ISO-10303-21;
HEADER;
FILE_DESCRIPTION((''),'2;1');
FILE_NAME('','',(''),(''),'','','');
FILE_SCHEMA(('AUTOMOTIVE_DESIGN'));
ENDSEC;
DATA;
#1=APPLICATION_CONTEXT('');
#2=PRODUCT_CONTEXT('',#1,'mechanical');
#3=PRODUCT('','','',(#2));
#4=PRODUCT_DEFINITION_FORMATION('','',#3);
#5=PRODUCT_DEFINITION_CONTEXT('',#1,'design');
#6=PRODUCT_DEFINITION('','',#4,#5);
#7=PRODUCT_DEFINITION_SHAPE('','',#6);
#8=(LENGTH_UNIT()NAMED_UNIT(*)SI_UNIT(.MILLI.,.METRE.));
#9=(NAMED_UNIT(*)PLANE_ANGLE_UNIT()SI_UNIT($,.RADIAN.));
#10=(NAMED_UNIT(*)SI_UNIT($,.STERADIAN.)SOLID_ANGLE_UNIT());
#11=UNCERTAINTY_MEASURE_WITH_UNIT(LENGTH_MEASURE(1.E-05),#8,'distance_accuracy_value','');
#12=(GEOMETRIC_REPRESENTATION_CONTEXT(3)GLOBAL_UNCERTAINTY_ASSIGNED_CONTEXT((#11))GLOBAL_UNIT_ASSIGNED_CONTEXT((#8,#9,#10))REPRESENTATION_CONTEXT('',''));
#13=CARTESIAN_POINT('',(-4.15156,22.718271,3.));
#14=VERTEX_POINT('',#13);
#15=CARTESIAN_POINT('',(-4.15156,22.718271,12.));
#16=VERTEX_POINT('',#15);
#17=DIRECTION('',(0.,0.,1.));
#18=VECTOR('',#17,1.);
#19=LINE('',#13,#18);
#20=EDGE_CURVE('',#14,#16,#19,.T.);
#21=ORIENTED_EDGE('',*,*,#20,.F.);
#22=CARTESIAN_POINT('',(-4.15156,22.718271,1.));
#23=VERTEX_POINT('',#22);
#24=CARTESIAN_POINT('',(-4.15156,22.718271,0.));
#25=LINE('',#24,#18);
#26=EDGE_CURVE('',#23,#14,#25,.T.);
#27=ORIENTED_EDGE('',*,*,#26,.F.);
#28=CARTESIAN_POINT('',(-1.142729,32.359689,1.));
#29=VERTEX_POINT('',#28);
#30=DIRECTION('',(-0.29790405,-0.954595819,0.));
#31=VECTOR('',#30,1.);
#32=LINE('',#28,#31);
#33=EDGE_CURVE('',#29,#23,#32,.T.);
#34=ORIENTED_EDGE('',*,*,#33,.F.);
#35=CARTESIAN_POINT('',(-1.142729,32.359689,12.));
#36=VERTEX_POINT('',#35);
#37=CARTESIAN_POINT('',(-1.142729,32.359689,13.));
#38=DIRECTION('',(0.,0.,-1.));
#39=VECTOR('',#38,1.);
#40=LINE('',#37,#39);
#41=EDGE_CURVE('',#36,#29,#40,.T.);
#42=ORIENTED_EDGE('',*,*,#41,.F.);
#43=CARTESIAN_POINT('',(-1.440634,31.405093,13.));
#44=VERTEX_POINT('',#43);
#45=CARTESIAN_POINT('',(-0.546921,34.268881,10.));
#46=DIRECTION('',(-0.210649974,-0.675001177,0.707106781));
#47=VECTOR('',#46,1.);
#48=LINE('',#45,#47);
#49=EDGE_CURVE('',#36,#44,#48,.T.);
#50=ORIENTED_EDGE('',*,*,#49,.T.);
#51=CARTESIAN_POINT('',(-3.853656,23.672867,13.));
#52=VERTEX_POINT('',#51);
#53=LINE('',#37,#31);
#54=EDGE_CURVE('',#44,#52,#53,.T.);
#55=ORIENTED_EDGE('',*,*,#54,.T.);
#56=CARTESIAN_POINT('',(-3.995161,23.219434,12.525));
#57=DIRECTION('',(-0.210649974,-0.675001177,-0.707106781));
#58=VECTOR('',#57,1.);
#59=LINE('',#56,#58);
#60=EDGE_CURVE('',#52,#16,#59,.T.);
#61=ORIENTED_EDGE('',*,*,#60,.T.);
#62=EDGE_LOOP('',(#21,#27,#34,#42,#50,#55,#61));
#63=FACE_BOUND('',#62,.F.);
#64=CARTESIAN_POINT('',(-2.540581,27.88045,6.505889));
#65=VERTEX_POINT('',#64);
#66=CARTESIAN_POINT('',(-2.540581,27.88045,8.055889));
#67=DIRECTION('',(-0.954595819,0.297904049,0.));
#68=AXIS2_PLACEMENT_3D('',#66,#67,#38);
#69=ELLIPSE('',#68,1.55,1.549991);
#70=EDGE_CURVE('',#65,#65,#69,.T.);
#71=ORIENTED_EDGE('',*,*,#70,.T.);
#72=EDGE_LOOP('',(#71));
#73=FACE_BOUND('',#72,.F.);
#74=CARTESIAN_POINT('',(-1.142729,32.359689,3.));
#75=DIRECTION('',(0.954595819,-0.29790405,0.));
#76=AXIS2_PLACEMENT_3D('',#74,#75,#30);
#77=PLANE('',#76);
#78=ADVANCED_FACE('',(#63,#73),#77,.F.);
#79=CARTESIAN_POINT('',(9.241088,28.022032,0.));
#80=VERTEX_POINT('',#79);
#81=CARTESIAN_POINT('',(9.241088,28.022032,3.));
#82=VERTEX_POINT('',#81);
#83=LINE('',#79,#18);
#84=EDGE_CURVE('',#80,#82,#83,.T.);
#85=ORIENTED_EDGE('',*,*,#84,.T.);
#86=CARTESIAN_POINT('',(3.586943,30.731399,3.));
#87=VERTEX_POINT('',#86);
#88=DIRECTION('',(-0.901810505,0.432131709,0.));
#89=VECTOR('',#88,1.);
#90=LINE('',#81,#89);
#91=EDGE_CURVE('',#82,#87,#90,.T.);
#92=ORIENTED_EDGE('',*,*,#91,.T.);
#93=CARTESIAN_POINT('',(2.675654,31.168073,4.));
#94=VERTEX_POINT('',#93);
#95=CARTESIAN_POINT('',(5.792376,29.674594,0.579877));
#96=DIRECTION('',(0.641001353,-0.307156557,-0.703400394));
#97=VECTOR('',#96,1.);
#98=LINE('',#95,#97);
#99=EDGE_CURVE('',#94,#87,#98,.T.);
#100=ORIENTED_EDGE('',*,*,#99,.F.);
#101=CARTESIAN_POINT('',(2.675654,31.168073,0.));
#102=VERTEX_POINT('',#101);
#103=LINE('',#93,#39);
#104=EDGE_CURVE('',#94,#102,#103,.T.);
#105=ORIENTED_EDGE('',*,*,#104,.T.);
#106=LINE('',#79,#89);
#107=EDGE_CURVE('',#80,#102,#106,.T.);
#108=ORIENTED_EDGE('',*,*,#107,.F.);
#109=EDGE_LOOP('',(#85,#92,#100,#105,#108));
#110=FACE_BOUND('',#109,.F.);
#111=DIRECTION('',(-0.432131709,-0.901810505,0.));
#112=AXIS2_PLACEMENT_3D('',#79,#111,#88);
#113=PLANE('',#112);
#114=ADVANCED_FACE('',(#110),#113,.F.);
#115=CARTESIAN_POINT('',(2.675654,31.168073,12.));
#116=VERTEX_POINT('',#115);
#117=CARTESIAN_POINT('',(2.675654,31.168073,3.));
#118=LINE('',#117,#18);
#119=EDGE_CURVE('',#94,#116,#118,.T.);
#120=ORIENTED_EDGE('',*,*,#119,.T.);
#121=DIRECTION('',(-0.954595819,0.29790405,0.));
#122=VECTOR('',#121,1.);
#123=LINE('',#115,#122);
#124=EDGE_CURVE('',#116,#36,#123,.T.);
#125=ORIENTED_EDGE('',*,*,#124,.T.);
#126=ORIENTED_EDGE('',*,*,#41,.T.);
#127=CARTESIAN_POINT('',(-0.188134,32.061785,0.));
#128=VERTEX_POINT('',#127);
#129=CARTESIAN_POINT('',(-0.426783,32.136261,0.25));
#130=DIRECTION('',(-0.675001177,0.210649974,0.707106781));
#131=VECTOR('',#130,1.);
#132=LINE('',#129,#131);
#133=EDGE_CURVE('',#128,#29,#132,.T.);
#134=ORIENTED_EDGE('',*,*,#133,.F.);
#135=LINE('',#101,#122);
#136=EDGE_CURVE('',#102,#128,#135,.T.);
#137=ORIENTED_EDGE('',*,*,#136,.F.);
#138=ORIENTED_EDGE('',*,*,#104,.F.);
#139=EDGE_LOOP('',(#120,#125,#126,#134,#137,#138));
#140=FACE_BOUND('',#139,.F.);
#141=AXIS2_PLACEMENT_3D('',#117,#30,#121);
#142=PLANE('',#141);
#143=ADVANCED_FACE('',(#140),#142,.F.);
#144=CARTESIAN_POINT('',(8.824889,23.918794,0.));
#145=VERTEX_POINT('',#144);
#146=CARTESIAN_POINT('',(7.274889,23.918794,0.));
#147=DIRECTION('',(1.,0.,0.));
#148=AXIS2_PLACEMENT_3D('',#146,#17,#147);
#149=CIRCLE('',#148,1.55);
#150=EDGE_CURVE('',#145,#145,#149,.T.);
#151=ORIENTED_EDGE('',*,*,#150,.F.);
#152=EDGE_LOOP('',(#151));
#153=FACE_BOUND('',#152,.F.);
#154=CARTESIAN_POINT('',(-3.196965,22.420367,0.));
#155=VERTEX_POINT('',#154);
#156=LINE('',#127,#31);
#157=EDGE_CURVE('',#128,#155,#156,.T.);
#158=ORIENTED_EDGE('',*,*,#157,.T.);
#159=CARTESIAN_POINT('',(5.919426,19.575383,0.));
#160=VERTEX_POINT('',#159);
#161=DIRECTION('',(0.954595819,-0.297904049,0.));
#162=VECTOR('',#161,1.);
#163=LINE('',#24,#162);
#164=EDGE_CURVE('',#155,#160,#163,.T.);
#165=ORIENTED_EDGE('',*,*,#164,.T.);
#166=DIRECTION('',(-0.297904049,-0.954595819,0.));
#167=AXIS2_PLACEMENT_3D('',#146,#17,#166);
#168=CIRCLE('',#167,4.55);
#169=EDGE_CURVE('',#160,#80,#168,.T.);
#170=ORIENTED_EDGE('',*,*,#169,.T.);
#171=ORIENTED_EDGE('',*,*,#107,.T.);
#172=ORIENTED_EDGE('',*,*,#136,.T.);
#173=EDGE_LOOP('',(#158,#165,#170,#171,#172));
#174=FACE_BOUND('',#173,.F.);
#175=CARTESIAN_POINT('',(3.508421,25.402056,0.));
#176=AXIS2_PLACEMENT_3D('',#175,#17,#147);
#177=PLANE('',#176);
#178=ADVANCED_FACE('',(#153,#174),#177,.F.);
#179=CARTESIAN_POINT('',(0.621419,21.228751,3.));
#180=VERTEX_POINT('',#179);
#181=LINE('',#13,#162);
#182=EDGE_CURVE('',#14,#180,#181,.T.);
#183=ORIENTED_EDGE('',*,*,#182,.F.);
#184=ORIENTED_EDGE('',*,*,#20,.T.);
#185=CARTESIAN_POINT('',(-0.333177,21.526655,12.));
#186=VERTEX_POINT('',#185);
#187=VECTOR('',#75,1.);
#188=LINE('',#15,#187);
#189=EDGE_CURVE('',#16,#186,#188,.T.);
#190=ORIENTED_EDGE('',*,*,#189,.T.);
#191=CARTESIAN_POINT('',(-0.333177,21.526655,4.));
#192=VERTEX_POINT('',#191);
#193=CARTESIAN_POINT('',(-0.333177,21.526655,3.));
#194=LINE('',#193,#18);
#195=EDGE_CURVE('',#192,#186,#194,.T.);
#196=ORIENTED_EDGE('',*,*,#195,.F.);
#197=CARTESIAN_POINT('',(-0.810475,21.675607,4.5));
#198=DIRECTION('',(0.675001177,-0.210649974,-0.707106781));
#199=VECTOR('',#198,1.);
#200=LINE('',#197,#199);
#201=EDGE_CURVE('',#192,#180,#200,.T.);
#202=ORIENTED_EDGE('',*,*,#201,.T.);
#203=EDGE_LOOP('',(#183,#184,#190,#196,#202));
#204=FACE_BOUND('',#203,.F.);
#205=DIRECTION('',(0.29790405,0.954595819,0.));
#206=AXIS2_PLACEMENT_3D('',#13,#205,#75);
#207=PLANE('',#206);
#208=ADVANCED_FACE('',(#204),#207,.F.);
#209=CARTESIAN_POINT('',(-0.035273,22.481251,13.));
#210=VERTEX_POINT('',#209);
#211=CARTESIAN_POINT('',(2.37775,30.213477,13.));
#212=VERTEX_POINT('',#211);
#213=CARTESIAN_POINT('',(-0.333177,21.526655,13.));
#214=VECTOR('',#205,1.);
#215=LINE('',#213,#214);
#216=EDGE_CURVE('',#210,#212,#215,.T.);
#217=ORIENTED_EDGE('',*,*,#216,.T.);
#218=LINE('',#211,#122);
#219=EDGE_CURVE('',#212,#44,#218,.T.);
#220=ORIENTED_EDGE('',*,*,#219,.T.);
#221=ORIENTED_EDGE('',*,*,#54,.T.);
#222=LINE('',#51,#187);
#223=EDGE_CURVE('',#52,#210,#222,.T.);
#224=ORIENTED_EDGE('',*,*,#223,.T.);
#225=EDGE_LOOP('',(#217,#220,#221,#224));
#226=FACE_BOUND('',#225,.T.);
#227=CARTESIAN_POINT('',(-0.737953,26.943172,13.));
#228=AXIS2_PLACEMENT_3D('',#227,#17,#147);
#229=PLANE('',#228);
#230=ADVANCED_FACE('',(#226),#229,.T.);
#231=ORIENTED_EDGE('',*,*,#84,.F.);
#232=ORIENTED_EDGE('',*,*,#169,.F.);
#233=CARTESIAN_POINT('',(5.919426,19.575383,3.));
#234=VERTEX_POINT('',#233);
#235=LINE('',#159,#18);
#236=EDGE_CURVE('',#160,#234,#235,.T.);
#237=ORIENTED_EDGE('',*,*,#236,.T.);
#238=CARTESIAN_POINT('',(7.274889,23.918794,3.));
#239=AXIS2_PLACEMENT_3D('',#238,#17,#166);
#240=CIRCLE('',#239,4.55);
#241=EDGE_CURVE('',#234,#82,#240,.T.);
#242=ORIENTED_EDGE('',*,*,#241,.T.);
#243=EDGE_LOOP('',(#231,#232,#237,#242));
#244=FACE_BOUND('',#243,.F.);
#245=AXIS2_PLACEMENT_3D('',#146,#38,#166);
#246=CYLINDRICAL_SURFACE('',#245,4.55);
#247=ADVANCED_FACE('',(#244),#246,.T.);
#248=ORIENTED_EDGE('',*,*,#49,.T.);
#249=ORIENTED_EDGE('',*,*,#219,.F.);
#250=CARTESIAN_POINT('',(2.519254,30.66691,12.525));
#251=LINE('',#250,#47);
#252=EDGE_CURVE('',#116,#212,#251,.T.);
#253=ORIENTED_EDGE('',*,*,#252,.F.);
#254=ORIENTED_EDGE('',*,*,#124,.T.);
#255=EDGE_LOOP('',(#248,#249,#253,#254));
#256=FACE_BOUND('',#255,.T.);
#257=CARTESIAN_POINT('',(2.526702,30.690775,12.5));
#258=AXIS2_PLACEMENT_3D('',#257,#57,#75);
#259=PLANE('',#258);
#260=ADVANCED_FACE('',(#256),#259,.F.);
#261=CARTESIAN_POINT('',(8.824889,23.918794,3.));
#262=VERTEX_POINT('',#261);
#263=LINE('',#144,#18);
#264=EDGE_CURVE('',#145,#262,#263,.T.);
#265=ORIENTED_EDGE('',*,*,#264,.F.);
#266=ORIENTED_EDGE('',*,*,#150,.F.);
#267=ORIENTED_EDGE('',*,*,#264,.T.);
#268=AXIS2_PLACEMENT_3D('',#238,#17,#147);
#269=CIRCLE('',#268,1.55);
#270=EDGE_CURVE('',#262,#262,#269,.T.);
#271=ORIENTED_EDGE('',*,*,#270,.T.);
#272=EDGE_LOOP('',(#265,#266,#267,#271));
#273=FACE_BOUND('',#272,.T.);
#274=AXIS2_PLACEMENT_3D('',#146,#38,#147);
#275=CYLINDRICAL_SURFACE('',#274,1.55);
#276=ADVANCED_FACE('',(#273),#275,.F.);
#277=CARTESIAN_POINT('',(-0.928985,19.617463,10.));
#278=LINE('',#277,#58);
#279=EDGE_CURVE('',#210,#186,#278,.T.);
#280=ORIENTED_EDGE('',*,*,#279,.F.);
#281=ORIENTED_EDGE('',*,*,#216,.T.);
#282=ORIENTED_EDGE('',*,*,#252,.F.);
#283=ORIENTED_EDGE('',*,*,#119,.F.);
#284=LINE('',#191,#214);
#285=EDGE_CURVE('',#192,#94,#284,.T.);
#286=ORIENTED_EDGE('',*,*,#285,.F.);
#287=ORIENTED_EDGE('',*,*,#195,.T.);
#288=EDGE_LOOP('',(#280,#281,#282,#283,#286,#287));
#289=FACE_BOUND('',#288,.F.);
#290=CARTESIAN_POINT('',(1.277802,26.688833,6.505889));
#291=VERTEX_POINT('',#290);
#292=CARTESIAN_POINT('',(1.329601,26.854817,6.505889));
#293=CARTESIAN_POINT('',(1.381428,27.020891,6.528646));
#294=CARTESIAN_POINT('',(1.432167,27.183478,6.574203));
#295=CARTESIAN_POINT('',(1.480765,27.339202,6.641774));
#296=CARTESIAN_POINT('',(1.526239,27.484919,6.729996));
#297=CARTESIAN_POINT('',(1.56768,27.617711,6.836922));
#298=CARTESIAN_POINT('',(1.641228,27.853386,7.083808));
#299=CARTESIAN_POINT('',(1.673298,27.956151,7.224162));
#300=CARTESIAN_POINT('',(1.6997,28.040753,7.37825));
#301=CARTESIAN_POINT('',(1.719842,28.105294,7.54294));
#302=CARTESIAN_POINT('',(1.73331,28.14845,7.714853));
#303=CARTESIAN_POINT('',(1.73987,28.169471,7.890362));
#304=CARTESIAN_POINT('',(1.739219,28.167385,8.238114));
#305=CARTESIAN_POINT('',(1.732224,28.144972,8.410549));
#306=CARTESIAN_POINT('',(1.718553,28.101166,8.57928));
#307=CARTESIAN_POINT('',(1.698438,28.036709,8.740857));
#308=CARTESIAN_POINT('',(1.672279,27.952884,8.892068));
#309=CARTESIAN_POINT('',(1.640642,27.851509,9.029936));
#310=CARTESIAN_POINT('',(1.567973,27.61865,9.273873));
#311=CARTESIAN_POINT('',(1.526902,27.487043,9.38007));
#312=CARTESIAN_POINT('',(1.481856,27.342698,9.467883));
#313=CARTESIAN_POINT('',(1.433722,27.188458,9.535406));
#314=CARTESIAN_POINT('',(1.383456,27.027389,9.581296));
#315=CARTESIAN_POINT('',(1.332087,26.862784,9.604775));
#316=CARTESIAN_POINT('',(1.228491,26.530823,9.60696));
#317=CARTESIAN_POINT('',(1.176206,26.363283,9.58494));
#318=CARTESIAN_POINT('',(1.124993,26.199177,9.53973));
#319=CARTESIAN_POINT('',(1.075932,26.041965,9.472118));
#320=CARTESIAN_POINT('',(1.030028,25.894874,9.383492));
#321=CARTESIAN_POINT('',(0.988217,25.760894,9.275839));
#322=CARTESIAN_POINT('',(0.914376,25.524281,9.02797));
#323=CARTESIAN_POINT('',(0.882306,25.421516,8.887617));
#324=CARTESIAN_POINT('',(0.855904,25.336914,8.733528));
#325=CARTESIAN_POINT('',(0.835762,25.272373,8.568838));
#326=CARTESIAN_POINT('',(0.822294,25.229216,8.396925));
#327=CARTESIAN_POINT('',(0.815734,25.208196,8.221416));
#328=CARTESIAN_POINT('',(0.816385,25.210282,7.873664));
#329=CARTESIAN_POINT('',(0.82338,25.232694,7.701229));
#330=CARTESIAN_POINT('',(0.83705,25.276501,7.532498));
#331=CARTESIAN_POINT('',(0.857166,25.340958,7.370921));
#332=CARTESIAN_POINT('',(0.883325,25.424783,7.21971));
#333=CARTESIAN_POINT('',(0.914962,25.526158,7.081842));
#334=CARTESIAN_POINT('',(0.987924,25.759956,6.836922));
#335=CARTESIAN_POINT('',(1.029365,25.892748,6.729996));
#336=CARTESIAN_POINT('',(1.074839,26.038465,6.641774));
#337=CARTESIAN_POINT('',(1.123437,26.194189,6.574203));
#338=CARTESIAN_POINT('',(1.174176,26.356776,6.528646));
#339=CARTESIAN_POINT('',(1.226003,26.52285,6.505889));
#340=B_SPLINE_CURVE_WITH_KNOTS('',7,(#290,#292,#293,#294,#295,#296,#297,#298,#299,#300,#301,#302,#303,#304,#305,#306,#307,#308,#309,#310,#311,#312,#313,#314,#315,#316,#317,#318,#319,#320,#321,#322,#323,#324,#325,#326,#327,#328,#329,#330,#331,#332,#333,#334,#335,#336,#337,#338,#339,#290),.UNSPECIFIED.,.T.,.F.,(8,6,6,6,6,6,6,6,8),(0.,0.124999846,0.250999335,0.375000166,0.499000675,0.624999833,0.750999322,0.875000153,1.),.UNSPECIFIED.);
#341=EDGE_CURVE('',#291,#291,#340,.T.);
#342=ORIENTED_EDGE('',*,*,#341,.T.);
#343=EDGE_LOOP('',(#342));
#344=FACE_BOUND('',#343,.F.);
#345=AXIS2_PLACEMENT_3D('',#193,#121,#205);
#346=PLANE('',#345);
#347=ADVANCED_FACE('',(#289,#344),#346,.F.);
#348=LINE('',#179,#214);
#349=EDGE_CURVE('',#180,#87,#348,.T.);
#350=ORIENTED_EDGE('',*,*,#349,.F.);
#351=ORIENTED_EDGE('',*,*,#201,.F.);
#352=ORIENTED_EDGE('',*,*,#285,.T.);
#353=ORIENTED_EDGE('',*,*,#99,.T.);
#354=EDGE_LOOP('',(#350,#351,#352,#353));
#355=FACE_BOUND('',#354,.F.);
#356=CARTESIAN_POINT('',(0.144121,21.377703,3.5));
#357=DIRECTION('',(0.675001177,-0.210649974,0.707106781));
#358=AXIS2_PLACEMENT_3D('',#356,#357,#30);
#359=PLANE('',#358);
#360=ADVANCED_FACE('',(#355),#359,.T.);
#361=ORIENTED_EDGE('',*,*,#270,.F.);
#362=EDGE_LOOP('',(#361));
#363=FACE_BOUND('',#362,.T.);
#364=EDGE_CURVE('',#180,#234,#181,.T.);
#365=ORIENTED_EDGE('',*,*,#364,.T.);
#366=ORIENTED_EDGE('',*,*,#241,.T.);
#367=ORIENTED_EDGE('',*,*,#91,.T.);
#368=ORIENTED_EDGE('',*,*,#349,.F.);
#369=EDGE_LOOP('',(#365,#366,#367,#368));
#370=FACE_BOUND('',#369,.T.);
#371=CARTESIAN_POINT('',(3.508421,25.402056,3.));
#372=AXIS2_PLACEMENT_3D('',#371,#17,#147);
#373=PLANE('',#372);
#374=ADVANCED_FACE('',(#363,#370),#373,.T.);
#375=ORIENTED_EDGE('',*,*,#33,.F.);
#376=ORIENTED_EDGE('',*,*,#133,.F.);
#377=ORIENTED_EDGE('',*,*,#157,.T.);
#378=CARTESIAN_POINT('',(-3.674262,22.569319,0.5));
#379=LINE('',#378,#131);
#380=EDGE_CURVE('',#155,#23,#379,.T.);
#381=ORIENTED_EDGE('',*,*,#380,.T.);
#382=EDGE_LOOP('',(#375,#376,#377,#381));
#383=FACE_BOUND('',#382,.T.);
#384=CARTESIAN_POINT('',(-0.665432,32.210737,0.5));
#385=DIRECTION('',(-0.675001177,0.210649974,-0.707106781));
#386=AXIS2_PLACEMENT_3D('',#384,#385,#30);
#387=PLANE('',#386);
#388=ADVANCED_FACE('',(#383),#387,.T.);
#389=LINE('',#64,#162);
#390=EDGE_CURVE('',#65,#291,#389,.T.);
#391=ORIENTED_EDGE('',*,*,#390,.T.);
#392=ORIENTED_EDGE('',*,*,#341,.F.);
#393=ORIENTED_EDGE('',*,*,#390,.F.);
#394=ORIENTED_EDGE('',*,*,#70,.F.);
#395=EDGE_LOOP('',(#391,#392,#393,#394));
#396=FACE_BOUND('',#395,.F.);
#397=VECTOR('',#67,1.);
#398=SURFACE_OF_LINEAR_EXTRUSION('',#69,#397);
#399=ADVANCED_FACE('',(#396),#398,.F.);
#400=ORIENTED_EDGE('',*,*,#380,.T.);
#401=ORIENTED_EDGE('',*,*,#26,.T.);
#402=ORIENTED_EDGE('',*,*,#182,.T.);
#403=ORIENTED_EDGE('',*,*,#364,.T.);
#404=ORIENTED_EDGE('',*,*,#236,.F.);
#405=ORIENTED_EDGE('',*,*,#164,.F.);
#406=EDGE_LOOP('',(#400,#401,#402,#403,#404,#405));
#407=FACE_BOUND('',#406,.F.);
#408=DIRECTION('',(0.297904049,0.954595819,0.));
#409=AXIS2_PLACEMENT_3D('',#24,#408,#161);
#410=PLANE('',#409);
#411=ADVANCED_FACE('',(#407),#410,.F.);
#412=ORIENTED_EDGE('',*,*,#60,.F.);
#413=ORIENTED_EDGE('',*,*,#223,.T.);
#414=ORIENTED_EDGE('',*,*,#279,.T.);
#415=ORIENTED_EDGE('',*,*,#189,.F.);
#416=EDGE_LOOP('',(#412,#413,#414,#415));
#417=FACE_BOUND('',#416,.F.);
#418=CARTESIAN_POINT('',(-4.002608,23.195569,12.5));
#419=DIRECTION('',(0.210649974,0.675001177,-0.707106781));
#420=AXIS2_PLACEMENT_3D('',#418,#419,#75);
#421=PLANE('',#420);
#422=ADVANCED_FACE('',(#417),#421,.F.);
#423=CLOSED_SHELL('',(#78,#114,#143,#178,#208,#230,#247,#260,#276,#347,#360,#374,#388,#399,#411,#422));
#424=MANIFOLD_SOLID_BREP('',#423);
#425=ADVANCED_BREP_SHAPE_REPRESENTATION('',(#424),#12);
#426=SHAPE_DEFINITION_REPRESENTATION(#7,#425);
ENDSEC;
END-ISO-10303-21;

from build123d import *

# Parameters (mm, degrees)
SKETCH1_R           = 1.55
BOSS_EXTRUDE1_DEPTH = 3
BOSS_EXTRUDE2_DEPTH = 10
CUT_EXTRUDE1_REACH  = 18.249
SKETCH3_RX          = 1.55
SKETCH3_RY          = 1.549991194
CHAMFER1_SIZE       = 1
CHAMFER2_SIZE       = 1
CHAMFER3_SIZE       = 1


with BuildPart() as part:
    # Sketch1 → Boss-Extrude1 (new body)
    with BuildSketch(Plane.XY):
        with BuildLine():
            Line((9.241088209, 28.022032198), (2.675653796, 31.16807272))
            Line((2.675653796, 31.16807272), (-1.142729479, 32.359688918))
            Line((-1.142729479, 32.359688918), (-4.151560379, 22.718271148))
            Line((-4.151560379, 22.718271148), (5.91942551, 19.575383426))
            ThreePointArc((5.91942551, 19.575383426), (11.509238759, 22.253627274), (9.241088209, 28.022032198))
        make_face()
        with Locations((7.274888935, 23.918794401)):
            Circle(SKETCH1_R, mode=Mode.SUBTRACT)
    extrude(amount=BOSS_EXTRUDE1_DEPTH)

    # Sketch2 → Boss-Extrude2 (add)
    with BuildSketch(Plane.XY.offset(3)):
        Polygon((-1.142729479, 32.359688918), (-4.151560379, 22.718271148), (-0.333177104, 21.52665495), (2.675653796, 31.16807272), align=None)
    extrude(amount=BOSS_EXTRUDE2_DEPTH)

    # Sketch3 → Cut-Extrude1 (cut, up to next)
    with BuildSketch(Plane(origin=(-10.243698191, 3.196786653, 0), x_dir=(0, 0, 1), z_dir=(-0.954595819, 0.297904049, 0)), mode=Mode.PRIVATE) as cut_extrude1_sk1:
        with Locations(Location((8.05588909, 25.857711156), (0, 0, -179.999999999))):
            Ellipse(SKETCH3_RX, SKETCH3_RY)
    cut_extrude1_tool1 = extrude(cut_extrude1_sk1.sketch, amount=-CUT_EXTRUDE1_REACH, mode=Mode.PRIVATE) & part.part
    add(cut_extrude1_tool1.solids().sort_by_distance((-2.540581, 27.88045, 8.055889))[0], mode=Mode.SUBTRACT)

    # Chamfer1
    chamfer1_edges = [part.edges().sort_by_distance(p)[0] for p in [
        (-2.242368741, 22.122463049, 13),
        (0.766462159, 31.763880819, 13),
    ]]
    chamfer(chamfer1_edges, length=CHAMFER1_SIZE)

    # Chamfer2
    chamfer2_edges = [part.edges().sort_by_distance(p)[0] for p in [
        (1.171238346, 26.347363835, 3),
    ]]
    chamfer(chamfer2_edges, length=CHAMFER2_SIZE)

    # Chamfer3
    chamfer3_edges = [part.edges().sort_by_distance(p)[0] for p in [
        (-2.647144929, 27.538980033, 0),
    ]]
    chamfer(chamfer3_edges, length=CHAMFER3_SIZE)


solid = part.part
